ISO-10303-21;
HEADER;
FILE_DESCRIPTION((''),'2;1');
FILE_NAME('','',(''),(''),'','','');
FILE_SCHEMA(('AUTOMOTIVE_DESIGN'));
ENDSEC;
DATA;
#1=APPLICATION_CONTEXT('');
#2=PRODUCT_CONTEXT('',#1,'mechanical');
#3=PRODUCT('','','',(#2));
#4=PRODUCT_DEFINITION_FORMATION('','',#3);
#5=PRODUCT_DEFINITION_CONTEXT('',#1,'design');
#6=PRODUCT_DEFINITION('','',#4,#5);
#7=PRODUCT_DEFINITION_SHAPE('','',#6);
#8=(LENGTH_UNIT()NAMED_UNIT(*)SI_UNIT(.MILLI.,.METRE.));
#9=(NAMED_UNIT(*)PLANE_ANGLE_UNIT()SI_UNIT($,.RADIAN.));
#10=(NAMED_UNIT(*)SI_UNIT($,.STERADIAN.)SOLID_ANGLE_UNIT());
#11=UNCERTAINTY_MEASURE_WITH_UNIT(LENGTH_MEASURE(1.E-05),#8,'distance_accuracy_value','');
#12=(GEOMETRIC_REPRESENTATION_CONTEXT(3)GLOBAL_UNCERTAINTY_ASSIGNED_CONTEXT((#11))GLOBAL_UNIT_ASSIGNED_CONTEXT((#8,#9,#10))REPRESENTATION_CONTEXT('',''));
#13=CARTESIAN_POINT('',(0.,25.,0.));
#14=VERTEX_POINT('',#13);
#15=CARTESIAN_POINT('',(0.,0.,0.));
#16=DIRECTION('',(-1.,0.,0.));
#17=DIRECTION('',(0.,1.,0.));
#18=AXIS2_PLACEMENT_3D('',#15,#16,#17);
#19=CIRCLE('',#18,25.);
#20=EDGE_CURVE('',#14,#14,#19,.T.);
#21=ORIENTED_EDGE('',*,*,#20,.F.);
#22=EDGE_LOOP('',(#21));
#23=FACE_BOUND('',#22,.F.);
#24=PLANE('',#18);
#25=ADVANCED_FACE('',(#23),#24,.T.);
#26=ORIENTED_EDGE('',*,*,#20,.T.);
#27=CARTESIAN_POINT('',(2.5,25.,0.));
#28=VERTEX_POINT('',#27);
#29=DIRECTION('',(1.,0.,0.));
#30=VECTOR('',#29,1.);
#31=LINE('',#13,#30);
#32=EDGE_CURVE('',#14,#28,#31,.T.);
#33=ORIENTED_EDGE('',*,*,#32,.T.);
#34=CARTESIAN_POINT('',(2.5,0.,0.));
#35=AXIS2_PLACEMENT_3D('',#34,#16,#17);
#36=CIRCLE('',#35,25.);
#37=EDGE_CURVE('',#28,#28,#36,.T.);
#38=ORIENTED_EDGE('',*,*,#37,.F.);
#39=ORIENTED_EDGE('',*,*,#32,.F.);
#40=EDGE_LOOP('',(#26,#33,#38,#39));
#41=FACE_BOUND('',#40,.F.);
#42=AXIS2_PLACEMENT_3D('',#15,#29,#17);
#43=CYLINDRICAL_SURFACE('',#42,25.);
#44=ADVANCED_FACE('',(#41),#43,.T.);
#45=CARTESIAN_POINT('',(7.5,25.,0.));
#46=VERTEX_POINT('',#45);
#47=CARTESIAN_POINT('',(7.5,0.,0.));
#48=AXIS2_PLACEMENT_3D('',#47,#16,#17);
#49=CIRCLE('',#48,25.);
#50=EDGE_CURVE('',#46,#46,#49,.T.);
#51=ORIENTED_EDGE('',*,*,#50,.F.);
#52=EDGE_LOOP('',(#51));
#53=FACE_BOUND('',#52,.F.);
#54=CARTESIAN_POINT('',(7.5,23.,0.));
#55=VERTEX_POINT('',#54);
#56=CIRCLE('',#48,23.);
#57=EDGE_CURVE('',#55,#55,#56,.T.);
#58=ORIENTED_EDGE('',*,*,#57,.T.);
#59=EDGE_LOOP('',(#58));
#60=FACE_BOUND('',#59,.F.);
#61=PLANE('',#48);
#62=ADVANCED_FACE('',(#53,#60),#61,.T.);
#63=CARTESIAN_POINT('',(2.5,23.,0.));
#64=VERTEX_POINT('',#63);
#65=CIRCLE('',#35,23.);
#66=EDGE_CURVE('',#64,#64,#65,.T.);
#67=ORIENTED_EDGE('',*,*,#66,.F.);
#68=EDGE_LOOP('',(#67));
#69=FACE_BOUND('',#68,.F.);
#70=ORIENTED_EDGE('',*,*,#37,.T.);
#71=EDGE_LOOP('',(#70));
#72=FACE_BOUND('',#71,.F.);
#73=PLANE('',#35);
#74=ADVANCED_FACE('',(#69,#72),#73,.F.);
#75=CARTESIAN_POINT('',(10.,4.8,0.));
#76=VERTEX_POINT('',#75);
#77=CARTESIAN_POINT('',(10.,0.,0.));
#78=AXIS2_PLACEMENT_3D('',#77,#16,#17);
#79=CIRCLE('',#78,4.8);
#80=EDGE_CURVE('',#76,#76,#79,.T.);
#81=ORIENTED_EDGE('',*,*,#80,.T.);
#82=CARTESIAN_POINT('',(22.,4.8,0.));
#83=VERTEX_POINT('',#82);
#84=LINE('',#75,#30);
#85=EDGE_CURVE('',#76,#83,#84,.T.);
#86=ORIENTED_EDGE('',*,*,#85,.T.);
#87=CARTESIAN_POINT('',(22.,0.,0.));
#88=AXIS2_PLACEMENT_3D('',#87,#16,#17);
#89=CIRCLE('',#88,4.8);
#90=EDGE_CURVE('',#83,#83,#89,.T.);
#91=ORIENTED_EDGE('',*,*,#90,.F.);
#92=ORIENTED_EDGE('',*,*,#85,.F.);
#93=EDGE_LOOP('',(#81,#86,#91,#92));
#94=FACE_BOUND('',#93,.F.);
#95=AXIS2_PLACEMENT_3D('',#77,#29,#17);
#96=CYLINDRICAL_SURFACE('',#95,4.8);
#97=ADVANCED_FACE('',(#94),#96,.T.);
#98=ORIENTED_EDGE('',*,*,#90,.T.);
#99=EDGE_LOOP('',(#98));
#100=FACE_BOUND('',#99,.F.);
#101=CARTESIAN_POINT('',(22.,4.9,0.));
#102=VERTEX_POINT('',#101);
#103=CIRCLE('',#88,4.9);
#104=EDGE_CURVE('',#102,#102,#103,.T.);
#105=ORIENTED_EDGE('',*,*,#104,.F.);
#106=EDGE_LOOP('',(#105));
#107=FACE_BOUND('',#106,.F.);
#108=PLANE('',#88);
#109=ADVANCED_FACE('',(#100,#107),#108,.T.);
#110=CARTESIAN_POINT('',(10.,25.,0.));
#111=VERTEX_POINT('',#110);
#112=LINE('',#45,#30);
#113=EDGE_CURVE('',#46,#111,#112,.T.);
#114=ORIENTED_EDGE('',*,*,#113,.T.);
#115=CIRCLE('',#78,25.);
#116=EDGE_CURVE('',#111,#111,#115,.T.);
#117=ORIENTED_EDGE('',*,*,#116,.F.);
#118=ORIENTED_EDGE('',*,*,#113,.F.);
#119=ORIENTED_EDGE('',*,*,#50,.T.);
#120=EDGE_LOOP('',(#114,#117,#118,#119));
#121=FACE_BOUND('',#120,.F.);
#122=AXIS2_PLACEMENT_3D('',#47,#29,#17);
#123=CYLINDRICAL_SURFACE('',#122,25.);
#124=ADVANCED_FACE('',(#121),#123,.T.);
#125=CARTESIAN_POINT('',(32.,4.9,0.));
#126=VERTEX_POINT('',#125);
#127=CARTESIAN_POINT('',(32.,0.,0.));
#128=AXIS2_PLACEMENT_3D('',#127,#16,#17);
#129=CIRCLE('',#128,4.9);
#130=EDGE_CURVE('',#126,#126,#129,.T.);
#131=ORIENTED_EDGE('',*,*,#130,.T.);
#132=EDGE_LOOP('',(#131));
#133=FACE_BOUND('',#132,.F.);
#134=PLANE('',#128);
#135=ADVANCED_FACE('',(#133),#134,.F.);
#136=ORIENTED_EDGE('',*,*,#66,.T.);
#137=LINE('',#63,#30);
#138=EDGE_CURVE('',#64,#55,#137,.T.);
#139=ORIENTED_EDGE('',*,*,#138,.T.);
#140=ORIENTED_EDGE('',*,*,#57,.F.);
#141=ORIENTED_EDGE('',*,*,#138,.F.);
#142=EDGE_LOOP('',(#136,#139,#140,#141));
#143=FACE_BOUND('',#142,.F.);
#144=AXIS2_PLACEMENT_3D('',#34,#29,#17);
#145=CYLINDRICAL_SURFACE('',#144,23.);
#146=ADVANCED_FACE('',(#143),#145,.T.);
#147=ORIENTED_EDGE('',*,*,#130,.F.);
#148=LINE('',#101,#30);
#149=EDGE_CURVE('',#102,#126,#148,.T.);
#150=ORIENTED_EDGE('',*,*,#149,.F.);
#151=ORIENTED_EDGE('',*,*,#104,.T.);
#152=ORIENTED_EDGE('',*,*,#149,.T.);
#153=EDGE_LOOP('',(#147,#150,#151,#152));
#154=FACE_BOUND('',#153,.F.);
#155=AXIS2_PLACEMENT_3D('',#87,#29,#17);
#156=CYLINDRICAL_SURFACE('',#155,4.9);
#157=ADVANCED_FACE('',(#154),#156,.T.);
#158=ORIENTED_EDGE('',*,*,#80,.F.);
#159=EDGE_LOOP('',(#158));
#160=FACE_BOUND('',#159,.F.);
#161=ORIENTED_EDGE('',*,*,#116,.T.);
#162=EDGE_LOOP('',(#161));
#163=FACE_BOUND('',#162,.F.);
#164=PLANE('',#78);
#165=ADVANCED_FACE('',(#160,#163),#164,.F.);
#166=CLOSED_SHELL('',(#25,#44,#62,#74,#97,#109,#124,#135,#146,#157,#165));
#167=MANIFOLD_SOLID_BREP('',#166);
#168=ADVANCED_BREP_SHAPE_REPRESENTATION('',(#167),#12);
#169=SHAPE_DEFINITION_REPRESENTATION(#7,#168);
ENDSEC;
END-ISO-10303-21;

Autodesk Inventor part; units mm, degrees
ref_plane "YZ Plane" through (0, 0, 0) normal (1, 0, 0) x (0, 1, 0)
ref_plane "XZ Plane" through (0, 0, 0) normal (0, 1, 0) x (-1, 0, 0)
ref_plane "XY Plane" through (0, 0, 0) normal (0, 0, 1) x (1, 0, 0)
sketch "Sketch1" plane through (0, 0, 0) normal (0, 0, 1) x (1, 0, 0)
  line L0 (0, 0) -> (0, 25)
  line L1 (0, 25) -> (2.5, 25)
  line L2 (2.5, 25) -> (2.5, 23)
  line L3 (2.5, 23) -> (7.5, 23)
  line L4 (7.5, 23) -> (7.5, 25)
  line L5 (7.5, 25) -> (10, 25)
  line L6 (10, 25) -> (10, 4.8)
  line L7 (10, 4.8) -> (22, 4.8)
  line L8 (22, 4.8) -> (22, 4.9)
  line L9 (22, 4.9) -> (32, 4.9)
  line L10 (32, 4.9) -> (32, 0)
  line L11 (32, 0) -> (0, 0)
  dimension "d0" = 25
  dimension "d1" = 2.5
  dimension "d2" = 2
  dimension "d3" = 5
  dimension "d4" = 2.5
  dimension "d5" = 20.2
  dimension "d6" = 12
  dimension "d7" = 0.1
  dimension "d8" = 10
  dimension "d10" = 9.8
revolve "Revolution1" add sketch "Sketch1" angle 360 about axis through (32, 0, 0) along (-1, 0, 0)
properties part number "SpoolWinderDriver"
